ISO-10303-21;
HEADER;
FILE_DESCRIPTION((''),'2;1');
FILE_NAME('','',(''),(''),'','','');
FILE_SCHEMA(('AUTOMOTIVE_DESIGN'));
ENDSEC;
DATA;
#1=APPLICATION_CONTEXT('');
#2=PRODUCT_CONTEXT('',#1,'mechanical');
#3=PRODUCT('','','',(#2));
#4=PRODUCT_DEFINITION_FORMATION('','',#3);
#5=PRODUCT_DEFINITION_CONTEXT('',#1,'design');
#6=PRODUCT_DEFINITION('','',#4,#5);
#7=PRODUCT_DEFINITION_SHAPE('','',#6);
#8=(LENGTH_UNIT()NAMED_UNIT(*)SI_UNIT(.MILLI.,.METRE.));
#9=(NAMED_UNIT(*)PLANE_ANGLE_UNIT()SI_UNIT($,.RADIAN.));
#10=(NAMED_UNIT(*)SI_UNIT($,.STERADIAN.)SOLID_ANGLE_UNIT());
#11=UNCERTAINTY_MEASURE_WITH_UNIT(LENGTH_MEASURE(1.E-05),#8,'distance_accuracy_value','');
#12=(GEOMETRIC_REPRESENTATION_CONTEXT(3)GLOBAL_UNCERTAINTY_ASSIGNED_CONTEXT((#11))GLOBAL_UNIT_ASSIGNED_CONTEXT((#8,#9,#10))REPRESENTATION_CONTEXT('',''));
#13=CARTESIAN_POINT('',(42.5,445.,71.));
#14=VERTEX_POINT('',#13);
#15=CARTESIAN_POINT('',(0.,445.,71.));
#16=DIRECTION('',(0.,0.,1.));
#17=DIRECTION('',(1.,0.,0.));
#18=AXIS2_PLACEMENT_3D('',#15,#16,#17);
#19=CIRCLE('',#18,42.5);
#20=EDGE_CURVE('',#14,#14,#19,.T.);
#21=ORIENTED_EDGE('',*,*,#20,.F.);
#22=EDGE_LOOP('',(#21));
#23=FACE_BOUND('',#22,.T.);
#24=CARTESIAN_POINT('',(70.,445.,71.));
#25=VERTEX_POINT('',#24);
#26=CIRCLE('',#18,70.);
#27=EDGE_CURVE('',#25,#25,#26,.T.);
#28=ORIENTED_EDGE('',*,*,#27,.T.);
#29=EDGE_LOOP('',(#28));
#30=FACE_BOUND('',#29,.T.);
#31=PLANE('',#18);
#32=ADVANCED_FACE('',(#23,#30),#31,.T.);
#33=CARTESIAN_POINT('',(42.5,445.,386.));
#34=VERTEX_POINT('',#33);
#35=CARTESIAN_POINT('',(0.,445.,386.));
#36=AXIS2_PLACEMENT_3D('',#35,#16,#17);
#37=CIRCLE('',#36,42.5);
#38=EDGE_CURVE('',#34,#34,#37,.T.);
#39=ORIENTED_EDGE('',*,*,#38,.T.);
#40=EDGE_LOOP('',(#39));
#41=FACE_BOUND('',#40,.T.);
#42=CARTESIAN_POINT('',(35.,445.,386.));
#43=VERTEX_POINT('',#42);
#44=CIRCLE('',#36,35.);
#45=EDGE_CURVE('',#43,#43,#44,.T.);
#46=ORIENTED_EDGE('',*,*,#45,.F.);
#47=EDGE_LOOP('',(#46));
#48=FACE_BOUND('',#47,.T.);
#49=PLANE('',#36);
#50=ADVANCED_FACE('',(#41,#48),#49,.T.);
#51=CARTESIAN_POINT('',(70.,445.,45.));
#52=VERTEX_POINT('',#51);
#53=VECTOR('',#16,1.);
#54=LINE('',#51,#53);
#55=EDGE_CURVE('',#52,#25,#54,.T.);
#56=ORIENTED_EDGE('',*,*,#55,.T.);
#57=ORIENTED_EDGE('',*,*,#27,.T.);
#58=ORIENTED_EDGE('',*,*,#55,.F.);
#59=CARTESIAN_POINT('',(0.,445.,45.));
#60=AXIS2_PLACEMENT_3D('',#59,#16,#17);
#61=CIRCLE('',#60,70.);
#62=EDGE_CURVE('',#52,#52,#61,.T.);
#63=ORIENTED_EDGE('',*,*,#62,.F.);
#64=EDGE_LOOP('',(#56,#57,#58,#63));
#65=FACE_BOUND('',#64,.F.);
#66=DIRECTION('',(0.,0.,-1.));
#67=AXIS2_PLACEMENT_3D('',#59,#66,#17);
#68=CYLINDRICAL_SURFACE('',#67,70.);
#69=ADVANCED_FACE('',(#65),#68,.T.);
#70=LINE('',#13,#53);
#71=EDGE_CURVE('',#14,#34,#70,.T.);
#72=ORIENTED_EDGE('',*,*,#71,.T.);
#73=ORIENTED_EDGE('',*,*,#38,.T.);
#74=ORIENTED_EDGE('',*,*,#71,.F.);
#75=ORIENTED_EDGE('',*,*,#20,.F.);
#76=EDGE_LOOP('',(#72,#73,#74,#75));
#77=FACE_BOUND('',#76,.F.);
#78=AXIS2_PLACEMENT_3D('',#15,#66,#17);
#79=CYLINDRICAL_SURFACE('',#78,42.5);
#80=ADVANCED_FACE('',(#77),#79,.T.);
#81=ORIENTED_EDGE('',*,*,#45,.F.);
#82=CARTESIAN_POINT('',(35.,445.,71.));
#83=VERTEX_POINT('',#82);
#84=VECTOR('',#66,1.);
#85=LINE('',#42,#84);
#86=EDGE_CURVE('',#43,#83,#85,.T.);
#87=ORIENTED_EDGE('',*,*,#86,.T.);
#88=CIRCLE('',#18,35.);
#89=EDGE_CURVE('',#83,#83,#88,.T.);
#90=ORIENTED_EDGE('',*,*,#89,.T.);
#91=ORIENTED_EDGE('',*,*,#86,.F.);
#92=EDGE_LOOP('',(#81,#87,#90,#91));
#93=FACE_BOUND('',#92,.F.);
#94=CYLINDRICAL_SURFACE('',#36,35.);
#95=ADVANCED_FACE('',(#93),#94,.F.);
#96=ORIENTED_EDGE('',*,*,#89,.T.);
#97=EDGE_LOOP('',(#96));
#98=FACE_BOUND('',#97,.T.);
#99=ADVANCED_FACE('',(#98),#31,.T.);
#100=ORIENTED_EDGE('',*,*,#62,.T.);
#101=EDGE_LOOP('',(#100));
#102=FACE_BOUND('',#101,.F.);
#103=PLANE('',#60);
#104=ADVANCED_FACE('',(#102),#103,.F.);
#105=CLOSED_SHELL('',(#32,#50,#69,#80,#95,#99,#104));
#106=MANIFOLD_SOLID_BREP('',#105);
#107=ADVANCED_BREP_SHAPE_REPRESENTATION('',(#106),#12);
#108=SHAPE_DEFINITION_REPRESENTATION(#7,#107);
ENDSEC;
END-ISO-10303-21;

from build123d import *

# Parameters (mm, degrees)
SKETCH003_R     = 70
PAD001_DEPTH    = 26
SKETCH004_R     = 42.5
PAD002_DEPTH    = 315
SKETCH005_R     = 35
POCKET002_DEPTH = 315


with BuildPart() as part:
    # Sketch003 → Pad001 (new body)
    with BuildSketch(Plane.XY):
        Circle(SKETCH003_R)
    extrude(amount=PAD001_DEPTH)

    # Sketch004 (on Face3 of Pad001) → Pad002 (join)
    with BuildSketch(Plane.XY.offset(26)):
        Circle(SKETCH004_R)
    extrude(amount=PAD002_DEPTH)

    # Sketch005 (on Face5 of Pad002) → Pocket002 (cut)
    with BuildSketch(Plane.XY.offset(341)):
        Circle(SKETCH005_R)
    extrude(amount=-POCKET002_DEPTH, mode=Mode.SUBTRACT)


with BuildPart() as part_1:
    # Body001 placement: moved
    add(part.part.moved(Location((0, 445, 45))))


solid = part_1.part
